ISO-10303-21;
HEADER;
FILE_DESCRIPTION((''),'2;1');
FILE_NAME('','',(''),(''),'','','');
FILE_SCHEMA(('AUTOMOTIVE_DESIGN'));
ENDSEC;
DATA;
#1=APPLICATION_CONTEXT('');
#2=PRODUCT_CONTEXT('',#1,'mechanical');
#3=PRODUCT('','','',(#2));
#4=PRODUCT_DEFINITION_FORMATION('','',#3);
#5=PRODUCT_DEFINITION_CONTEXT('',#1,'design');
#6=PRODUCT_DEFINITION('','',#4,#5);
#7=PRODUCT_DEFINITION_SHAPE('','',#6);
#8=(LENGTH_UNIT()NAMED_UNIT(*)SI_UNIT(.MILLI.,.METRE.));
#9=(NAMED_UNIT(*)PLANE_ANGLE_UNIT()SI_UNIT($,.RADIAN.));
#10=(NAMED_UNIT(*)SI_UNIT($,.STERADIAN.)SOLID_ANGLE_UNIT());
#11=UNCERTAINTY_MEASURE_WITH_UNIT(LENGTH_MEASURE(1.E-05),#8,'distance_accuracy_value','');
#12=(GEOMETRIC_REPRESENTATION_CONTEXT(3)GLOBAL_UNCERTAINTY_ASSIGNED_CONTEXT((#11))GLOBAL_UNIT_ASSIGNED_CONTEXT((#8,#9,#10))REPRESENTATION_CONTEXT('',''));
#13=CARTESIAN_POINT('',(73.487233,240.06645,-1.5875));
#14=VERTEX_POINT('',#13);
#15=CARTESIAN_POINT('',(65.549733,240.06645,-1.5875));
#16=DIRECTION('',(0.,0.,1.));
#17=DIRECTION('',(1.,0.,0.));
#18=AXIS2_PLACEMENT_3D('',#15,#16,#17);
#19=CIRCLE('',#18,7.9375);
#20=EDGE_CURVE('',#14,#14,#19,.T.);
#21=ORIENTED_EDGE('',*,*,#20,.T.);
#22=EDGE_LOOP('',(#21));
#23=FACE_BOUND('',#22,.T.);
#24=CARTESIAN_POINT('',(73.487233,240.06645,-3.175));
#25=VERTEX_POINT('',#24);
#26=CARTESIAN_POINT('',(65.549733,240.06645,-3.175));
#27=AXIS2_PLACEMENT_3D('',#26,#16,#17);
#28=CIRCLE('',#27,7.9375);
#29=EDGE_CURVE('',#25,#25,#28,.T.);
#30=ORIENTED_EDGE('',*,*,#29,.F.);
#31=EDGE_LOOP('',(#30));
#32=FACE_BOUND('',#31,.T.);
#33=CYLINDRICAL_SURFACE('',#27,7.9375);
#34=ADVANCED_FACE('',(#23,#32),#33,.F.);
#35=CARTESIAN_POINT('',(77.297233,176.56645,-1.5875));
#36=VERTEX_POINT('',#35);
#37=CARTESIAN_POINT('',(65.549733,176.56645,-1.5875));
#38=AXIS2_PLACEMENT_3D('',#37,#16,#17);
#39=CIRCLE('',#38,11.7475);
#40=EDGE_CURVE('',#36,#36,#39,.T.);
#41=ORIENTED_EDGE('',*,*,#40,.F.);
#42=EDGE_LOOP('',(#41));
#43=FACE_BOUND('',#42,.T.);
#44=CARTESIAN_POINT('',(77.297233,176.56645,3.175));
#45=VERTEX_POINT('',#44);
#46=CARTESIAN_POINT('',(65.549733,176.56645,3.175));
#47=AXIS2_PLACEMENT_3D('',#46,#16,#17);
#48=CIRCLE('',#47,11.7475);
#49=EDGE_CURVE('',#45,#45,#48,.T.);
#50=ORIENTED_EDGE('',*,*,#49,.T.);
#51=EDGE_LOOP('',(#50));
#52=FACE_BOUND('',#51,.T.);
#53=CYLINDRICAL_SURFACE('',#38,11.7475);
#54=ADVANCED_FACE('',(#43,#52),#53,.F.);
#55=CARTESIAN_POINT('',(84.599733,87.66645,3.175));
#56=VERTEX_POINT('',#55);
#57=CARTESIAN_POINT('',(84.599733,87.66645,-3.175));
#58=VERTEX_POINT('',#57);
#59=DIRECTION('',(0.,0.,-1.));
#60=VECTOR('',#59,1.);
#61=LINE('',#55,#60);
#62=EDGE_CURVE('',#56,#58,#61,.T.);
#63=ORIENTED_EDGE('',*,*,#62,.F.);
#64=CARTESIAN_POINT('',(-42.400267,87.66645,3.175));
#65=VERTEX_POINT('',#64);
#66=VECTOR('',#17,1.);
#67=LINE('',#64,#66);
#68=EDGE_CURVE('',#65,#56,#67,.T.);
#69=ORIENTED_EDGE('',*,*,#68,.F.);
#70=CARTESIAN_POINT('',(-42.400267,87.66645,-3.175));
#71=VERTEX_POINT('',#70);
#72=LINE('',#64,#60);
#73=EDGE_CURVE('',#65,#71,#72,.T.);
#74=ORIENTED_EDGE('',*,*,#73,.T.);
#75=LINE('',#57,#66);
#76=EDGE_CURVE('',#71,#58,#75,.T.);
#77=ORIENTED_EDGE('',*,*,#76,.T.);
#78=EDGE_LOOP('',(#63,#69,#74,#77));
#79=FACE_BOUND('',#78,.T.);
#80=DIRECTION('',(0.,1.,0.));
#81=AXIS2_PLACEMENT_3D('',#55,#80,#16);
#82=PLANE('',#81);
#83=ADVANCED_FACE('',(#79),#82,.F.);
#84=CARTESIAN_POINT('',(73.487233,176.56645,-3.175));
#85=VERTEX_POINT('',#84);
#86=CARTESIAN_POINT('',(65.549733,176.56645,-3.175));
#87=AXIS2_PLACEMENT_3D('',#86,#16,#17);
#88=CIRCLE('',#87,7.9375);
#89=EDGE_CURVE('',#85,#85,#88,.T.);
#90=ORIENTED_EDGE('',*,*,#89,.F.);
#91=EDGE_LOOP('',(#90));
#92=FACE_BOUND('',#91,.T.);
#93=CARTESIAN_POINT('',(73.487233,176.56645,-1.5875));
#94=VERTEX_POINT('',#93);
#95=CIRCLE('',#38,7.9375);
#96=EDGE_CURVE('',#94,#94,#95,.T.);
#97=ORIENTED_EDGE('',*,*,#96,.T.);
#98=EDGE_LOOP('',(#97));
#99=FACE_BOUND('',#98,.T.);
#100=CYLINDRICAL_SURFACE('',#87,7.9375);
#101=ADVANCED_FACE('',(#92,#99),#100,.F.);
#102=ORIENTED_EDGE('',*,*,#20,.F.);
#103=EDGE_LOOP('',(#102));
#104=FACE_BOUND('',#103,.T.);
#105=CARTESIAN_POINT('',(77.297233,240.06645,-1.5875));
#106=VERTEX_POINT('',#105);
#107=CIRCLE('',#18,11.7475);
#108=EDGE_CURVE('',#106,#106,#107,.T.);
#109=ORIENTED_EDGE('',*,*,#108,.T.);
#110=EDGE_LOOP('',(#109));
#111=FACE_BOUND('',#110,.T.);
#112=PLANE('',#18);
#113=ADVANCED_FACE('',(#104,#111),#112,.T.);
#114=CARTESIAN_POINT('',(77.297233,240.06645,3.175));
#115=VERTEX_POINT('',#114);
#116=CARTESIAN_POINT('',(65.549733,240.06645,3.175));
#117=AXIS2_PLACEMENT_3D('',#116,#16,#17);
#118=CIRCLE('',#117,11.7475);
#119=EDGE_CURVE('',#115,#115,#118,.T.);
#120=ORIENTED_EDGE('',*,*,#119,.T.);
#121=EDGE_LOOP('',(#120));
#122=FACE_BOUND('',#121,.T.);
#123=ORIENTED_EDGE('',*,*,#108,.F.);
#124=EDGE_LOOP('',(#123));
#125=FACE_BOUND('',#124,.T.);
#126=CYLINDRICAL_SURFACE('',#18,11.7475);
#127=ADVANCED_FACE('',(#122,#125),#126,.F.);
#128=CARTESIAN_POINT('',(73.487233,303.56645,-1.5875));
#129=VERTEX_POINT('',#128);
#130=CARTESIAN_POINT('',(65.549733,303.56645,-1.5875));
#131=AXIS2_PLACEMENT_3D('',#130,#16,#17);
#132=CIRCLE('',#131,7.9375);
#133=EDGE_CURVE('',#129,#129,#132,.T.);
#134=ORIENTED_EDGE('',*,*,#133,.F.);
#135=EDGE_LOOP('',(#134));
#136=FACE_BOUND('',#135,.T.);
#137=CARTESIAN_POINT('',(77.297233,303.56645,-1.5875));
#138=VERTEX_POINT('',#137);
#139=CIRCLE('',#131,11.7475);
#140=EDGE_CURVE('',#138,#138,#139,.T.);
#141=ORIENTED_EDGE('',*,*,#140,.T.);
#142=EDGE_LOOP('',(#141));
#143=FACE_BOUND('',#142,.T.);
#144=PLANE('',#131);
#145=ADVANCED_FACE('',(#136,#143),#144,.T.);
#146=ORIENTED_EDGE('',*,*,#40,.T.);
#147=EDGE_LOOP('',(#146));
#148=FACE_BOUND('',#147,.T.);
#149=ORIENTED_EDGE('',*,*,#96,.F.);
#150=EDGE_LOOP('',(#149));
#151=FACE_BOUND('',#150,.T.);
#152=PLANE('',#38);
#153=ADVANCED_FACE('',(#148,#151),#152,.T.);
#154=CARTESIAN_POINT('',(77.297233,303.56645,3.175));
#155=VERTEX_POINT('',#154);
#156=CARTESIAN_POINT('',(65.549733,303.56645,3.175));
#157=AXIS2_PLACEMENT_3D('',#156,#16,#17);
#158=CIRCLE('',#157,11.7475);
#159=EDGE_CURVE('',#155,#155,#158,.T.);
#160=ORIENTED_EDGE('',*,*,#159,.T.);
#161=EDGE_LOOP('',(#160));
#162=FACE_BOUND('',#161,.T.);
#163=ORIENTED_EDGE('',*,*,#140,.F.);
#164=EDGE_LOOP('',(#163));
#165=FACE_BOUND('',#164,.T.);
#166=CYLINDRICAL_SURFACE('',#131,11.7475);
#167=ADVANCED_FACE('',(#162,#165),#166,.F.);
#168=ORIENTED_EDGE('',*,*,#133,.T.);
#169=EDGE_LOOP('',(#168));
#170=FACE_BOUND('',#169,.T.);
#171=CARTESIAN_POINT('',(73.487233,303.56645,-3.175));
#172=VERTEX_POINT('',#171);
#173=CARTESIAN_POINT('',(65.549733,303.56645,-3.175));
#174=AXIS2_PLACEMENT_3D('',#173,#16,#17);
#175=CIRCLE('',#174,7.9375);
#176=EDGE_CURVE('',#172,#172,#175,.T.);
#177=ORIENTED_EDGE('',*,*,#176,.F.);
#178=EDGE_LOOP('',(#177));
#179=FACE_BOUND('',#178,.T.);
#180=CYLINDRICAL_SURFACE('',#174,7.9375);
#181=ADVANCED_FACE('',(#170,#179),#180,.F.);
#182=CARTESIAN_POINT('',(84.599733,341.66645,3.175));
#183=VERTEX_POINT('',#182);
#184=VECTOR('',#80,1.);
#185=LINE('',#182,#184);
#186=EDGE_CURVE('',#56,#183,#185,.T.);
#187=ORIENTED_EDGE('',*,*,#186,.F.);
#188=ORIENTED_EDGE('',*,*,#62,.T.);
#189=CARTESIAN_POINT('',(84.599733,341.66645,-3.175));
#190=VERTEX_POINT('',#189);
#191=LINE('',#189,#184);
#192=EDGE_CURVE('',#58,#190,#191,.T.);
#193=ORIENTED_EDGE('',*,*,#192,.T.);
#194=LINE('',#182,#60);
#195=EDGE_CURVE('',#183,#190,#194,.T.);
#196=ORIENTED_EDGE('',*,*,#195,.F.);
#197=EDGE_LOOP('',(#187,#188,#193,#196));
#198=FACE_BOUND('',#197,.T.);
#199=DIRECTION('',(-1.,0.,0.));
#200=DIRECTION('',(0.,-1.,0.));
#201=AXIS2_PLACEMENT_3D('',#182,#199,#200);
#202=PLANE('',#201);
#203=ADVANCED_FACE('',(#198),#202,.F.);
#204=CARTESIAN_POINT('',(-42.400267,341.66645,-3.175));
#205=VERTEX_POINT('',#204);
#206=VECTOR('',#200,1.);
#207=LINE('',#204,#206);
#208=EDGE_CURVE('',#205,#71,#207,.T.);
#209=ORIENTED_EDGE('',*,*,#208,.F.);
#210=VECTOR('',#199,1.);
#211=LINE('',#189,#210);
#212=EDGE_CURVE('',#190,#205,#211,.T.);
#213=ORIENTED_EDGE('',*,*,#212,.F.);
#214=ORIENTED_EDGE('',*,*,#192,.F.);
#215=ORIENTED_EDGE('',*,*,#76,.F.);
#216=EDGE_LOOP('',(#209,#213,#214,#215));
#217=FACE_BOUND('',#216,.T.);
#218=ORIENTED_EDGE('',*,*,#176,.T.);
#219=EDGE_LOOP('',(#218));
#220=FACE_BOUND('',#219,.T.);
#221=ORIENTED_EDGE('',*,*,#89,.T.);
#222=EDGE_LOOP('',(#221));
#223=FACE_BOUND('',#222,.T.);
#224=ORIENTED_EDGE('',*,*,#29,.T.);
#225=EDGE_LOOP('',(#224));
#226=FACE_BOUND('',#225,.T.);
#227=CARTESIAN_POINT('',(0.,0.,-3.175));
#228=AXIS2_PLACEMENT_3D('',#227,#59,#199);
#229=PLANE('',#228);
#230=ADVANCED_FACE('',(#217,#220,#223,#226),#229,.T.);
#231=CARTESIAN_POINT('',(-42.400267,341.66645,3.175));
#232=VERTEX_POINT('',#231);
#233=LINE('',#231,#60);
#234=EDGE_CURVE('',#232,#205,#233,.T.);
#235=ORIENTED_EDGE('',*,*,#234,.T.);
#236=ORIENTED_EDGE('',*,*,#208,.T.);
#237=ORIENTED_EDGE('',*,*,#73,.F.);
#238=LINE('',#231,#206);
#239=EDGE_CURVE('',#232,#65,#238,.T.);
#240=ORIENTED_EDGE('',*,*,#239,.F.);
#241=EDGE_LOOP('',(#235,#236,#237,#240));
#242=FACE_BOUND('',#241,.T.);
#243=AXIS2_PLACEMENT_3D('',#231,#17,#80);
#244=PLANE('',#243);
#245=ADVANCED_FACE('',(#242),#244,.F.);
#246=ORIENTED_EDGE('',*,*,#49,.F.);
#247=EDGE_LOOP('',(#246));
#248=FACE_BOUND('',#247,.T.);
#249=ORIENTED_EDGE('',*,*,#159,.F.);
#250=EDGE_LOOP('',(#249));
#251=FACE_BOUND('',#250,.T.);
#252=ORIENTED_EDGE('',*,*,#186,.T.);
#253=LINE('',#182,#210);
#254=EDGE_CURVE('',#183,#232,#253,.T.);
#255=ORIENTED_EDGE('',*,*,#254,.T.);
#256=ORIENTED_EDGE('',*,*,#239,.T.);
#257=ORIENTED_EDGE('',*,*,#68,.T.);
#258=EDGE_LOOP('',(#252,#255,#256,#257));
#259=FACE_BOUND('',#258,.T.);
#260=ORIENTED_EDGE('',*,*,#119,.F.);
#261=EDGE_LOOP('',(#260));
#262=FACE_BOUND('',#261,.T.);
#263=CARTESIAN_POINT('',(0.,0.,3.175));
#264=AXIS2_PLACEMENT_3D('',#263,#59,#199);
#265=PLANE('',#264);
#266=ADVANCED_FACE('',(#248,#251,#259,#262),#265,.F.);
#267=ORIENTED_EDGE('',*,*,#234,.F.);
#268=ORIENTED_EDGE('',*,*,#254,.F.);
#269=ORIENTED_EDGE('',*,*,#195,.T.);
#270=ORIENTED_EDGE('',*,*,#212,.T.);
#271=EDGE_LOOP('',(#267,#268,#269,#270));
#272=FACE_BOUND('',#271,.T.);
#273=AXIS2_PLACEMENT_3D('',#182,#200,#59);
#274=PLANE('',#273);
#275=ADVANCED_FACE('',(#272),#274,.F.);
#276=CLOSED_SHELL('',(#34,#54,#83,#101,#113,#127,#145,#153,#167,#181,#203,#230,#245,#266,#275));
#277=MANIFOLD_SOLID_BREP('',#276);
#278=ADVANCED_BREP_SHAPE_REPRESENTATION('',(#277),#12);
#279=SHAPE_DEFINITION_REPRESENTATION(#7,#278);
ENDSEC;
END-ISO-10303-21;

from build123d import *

# Parameters (mm, degrees)
BOSS_EXTRUDE1_DEPTH = 3.175
SKETCH4_R           = 11.7475
CUT_EXTRUDE1_DEPTH  = 4.7625
SKETCH5_R           = 7.9375
CUT_EXTRUDE2_DEPTH  = 2.5875
LPATTERN1_COUNT     = 3
LPATTERN1_PITCH     = 63.5


with BuildPart() as part:
    # Sketch3 → Boss-Extrude1 (new body, symmetric)
    with BuildSketch(Plane(origin=(65.549733265, 163.86644962, 0), x_dir=(1, 0, 0), z_dir=(0, 0, 1))):
        Polygon((19.05, -76.2), (0, -76.2), (-107.95, -76.2), (-107.95, 177.8), (19.05, 177.8), align=None)
    extrude(amount=BOSS_EXTRUDE1_DEPTH, both=True)

    # Sketch4 → Cut-Extrude1 (cut)
    with BuildSketch(Plane.XY.offset(3.175)):
        with Locations((65.549733265, 176.56644962)):
            Circle(SKETCH4_R)
    cut_extrude1 = extrude(amount=-CUT_EXTRUDE1_DEPTH, mode=Mode.SUBTRACT)

    # Sketch5 → Cut-Extrude2 (cut, through all)
    with BuildSketch(Plane.XY.offset(-1.5875)):
        with Locations((65.549733265, 176.56644962)):
            Circle(SKETCH5_R)
    cut_extrude2 = extrude(amount=-CUT_EXTRUDE2_DEPTH, mode=Mode.SUBTRACT)

    # LPattern1: Cut-Extrude1, Cut-Extrude2 ×3
    with Locations(*[(0, i * LPATTERN1_PITCH, 0) for i in range(1, LPATTERN1_COUNT)]):
        add(cut_extrude1, mode=Mode.SUBTRACT)
        add(cut_extrude2, mode=Mode.SUBTRACT)


solid = part.part
